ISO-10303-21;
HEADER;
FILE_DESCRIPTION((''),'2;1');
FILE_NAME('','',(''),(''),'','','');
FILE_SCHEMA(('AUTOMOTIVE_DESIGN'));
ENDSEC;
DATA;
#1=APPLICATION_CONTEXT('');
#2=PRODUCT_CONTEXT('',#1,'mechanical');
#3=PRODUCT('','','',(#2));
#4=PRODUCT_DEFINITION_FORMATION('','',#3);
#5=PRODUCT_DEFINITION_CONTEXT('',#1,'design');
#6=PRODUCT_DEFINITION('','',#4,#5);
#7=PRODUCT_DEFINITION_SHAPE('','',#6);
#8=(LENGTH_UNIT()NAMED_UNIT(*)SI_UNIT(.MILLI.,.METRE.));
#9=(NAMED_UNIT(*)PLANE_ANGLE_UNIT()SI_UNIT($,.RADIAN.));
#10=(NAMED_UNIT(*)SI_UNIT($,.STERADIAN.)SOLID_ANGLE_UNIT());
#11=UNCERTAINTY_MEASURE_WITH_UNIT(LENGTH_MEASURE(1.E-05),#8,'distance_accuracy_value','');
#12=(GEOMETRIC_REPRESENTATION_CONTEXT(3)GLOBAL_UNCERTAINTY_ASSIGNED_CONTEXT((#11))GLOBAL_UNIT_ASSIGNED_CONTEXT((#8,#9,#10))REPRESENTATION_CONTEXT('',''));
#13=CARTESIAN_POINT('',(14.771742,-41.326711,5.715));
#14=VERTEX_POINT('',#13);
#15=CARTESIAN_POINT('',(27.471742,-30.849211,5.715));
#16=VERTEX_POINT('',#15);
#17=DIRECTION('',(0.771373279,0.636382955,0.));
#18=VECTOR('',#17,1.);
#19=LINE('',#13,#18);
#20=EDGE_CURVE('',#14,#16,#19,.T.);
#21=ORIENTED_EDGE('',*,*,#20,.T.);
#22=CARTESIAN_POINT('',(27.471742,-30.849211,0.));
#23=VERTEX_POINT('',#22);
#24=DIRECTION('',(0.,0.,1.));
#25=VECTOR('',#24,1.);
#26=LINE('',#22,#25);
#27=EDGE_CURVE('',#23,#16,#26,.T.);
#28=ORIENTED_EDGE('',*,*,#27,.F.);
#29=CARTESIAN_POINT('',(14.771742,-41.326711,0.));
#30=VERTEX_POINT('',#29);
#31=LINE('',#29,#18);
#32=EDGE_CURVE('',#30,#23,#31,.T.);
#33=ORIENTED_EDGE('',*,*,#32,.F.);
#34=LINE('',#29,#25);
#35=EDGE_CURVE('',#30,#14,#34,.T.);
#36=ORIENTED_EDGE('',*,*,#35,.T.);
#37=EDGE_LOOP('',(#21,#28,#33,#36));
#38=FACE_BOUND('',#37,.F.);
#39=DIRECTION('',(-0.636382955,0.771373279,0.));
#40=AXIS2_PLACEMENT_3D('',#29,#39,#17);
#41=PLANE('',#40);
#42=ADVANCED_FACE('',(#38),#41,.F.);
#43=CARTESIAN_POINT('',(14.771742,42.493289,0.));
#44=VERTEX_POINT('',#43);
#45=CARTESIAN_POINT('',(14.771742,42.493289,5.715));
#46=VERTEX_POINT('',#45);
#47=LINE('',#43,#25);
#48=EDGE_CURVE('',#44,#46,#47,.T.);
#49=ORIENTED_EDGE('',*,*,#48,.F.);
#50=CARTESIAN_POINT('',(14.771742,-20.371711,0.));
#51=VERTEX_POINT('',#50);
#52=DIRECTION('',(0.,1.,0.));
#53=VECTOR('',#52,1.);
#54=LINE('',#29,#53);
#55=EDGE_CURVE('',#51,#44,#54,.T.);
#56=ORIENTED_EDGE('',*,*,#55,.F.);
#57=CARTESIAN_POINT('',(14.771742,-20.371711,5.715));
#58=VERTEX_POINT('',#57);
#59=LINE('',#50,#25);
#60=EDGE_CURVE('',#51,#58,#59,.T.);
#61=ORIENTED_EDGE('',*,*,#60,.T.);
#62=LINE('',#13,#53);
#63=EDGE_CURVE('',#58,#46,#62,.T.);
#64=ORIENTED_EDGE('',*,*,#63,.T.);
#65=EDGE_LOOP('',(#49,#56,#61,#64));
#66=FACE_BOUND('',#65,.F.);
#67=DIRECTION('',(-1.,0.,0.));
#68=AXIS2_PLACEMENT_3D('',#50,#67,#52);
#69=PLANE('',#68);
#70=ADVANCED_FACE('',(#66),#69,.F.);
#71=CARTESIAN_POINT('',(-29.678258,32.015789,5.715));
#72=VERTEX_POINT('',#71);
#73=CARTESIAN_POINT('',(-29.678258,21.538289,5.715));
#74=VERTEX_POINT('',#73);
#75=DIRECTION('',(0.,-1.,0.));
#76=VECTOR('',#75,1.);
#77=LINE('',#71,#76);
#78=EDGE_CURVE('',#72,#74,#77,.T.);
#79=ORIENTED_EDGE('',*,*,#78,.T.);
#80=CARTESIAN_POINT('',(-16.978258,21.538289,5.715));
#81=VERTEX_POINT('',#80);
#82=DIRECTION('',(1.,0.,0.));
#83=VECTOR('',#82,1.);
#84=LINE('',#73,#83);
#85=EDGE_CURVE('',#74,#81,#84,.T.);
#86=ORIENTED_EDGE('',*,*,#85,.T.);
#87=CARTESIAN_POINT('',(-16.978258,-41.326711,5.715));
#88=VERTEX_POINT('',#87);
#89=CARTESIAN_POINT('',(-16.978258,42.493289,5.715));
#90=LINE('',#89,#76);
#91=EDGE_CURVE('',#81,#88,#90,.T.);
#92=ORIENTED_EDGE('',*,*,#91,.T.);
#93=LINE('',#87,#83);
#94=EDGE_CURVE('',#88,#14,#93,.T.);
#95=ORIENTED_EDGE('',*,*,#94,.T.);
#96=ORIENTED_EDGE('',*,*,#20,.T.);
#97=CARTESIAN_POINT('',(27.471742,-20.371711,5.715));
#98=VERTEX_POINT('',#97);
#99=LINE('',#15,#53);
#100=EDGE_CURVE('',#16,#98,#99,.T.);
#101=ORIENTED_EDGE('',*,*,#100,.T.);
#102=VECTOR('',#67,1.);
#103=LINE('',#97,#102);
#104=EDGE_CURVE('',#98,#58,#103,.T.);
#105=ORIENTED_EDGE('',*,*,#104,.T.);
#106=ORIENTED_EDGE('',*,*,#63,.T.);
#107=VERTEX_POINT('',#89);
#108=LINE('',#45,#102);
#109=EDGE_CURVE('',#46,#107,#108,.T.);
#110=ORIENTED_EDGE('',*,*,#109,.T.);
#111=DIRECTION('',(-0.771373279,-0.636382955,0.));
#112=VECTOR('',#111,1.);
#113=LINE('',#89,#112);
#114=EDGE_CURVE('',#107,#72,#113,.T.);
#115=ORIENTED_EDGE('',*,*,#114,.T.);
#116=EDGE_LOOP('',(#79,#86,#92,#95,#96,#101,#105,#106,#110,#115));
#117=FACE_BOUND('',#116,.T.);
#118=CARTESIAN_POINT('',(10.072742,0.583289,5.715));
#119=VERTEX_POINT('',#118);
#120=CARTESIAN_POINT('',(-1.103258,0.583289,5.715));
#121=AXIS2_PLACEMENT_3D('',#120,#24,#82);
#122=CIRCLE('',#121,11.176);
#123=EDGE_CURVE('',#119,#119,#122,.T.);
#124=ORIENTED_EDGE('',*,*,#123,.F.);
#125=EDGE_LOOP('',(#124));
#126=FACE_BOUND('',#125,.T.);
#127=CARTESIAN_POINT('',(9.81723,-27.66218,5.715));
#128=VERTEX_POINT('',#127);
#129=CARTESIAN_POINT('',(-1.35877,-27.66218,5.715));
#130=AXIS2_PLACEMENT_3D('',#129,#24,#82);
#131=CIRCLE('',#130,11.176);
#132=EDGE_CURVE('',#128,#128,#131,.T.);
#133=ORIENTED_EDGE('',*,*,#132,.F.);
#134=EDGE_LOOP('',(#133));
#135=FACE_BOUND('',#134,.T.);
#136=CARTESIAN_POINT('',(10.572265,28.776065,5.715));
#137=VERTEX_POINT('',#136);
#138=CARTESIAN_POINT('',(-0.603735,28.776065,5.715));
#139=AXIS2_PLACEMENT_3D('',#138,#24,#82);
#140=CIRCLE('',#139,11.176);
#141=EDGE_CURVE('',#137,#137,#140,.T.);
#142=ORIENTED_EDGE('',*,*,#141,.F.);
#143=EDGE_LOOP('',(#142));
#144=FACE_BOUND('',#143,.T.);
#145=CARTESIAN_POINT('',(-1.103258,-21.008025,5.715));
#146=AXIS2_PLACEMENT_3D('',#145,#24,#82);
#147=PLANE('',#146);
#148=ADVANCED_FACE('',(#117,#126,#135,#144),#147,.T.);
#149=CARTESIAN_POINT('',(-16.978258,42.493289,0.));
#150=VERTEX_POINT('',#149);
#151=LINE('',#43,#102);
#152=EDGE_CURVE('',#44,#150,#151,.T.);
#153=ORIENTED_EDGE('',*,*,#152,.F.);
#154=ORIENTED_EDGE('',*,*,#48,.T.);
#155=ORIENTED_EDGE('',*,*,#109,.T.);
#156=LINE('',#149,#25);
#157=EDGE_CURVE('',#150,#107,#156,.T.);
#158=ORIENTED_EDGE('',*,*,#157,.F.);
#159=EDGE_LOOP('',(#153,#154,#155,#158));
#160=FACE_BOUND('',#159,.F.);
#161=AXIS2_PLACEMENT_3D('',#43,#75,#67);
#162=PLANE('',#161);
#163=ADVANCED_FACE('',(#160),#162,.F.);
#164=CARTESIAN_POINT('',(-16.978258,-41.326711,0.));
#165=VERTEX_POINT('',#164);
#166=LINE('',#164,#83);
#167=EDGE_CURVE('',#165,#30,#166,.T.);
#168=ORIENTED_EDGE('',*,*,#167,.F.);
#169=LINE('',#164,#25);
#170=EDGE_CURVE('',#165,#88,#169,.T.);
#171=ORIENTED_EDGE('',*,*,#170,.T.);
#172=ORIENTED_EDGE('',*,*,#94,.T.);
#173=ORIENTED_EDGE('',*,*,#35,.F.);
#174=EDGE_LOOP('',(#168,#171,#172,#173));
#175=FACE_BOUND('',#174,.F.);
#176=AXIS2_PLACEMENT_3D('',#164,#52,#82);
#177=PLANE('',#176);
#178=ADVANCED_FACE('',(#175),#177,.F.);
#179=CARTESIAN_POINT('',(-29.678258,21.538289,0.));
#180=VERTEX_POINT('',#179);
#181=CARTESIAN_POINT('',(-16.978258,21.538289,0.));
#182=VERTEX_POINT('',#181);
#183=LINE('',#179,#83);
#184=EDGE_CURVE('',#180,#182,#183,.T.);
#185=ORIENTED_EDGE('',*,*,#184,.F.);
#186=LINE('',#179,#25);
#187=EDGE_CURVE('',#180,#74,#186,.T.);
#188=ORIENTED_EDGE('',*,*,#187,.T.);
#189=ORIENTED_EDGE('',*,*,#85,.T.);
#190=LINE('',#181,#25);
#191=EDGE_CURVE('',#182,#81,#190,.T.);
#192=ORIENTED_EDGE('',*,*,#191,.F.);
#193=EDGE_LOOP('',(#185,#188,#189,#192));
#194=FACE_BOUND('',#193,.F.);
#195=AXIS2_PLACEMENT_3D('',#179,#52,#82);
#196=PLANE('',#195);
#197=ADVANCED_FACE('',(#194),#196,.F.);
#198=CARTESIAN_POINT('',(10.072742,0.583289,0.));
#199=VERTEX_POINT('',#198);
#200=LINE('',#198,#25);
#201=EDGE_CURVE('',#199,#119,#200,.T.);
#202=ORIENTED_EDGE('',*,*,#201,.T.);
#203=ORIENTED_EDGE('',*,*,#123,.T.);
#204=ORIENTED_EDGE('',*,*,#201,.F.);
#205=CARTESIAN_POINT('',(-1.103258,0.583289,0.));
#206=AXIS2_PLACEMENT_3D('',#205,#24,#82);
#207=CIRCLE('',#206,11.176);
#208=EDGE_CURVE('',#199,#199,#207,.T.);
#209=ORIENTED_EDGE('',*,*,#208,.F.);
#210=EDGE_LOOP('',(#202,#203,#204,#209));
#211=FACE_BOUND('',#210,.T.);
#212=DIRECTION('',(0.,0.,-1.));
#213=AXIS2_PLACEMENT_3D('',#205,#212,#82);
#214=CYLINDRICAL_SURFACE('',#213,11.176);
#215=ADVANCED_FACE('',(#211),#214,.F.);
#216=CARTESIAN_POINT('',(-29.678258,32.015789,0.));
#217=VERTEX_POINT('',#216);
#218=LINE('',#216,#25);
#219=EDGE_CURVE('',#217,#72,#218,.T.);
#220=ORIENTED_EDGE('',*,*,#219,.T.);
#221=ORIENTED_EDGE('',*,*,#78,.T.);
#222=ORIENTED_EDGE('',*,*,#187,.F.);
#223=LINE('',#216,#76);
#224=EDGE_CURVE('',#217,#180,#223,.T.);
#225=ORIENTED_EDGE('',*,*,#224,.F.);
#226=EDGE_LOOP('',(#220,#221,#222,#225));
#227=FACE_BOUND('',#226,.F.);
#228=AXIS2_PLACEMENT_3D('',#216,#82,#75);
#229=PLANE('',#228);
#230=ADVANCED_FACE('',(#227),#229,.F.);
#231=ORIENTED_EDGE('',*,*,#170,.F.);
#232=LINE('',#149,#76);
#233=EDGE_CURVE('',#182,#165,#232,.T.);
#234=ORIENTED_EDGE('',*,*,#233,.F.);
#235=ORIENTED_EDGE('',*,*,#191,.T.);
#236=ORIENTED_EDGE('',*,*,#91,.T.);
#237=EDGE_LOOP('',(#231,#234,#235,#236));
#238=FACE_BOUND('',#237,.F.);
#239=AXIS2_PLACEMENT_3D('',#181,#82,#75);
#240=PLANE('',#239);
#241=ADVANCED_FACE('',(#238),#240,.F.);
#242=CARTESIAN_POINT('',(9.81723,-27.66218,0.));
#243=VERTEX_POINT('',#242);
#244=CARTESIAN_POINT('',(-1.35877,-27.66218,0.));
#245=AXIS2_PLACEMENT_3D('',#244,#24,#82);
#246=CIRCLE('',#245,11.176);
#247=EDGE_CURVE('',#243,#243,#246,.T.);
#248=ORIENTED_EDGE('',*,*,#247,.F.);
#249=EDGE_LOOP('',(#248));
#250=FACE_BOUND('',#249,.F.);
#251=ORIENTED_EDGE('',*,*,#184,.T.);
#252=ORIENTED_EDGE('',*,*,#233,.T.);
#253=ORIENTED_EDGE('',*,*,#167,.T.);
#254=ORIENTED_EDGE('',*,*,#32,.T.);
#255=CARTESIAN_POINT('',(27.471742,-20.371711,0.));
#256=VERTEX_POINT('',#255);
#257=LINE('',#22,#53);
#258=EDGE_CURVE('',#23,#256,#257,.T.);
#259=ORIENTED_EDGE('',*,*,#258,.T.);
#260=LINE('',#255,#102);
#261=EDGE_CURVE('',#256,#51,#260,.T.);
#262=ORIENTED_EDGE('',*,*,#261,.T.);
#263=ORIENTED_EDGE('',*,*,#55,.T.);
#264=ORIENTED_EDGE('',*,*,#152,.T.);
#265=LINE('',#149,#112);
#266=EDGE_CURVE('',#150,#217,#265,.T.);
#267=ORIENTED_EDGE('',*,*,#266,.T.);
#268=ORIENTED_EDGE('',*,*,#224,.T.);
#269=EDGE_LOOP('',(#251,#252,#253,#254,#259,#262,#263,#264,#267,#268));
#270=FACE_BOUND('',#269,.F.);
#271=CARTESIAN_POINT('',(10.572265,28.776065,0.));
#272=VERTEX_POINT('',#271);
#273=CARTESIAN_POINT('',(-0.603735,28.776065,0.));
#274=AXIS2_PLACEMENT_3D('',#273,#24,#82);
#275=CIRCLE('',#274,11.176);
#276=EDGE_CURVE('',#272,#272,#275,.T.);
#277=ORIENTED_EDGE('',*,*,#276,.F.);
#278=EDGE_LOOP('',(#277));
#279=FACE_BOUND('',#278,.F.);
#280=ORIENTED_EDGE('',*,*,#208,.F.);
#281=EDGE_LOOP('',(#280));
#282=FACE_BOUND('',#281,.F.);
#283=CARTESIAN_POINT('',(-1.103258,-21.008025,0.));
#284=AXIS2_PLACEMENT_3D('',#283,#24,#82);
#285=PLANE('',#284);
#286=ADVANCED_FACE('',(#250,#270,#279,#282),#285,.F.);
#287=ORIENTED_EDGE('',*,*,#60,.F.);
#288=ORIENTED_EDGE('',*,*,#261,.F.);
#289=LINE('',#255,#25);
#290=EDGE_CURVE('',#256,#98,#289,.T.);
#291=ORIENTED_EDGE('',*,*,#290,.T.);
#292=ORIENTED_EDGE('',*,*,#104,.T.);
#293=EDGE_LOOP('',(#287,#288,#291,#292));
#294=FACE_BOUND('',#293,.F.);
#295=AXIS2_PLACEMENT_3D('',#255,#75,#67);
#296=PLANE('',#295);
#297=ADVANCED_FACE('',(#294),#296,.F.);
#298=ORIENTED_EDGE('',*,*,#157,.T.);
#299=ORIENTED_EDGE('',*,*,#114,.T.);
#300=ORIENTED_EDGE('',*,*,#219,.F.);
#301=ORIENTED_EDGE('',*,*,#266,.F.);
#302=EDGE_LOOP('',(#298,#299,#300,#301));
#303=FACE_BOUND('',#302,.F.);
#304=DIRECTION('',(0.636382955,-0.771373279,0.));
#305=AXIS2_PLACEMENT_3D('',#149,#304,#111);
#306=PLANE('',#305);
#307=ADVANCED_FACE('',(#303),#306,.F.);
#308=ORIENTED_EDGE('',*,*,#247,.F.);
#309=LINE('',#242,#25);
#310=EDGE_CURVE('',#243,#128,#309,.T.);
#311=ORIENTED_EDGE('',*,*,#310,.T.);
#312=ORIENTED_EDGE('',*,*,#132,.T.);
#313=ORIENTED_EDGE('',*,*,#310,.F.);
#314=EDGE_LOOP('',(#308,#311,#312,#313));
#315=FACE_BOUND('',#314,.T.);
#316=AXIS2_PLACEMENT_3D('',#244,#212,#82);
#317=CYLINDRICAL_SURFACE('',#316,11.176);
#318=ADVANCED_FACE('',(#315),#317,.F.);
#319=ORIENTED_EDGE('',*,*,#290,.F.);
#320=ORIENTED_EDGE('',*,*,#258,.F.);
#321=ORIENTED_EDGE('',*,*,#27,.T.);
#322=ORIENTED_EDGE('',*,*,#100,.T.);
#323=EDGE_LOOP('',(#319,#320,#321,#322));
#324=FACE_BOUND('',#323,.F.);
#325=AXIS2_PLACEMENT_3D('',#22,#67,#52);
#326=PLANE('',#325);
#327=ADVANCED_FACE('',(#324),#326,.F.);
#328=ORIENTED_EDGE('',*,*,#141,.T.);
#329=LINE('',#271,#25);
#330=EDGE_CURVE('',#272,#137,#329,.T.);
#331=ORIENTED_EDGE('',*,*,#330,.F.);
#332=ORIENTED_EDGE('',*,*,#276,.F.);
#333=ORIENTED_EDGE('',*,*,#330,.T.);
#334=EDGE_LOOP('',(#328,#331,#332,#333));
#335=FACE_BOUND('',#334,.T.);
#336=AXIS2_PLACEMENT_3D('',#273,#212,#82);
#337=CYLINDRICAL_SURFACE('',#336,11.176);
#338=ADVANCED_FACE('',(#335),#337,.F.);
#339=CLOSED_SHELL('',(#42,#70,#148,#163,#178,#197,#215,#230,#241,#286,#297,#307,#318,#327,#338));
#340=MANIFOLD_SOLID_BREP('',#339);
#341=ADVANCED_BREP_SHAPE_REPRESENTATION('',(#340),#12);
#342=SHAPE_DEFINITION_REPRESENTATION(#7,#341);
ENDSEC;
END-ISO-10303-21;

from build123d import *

# Parameters (mm, degrees)
F0_R     = 11.176
F1_DEPTH = 5.715


with BuildPart() as f1:
    # F0 (on Top) → F1 (new body)
    with BuildSketch(Plane.XY):
        with BuildLine():
            Line((14.771742, -20.371711), (14.771742, 0.583289))
            ThreePointArc((14.771742, 0.583289), (-1.103258, -15.291711), (-16.978258, 0.583289))
            Line((-16.978258, 0.583289), (-16.978258, -41.326711))
            Line((-16.978258, -41.326711), (14.771742, -41.326711))
            Line((14.771742, -41.326711), (14.771742, -20.371711))
        make_face()
        with Locations((-1.35877, -27.66218)):
            Circle(F0_R, mode=Mode.SUBTRACT)
        with BuildLine():
            ThreePointArc((-16.978258, 0.583289), (-1.103258, -15.291711), (14.771742, 0.583289))
            ThreePointArc((14.771742, 0.583289), (-1.103258, 16.458289), (-16.978258, 0.583289))
        make_face()
        with Locations((-1.103258, 0.583289)):
            Circle(F0_R, mode=Mode.SUBTRACT)
        with BuildLine():
            ThreePointArc((-16.978258, 0.583289), (-1.103258, 16.458289), (14.771742, 0.583289))
            Line((14.771742, 0.583289), (14.771742, 42.493289))
            Line((14.771742, 42.493289), (-16.978258, 42.493289))
            Line((-16.978258, 42.493289), (-16.978258, 21.538289))
            Line((-16.978258, 21.538289), (-16.978258, 0.583289))
        make_face()
        with Locations((-0.603735, 28.776065)):
            Circle(F0_R, mode=Mode.SUBTRACT)
        Polygon((27.471742, -20.371711), (14.771742, -20.371711), (14.771742, -41.326711), (27.471742, -30.849211), align=None)
        Polygon((-29.678258, 21.538289), (-16.978258, 21.538289), (-16.978258, 42.493289), (-29.678258, 32.015789), align=None)
    extrude(amount=F1_DEPTH)


solid = f1.part
